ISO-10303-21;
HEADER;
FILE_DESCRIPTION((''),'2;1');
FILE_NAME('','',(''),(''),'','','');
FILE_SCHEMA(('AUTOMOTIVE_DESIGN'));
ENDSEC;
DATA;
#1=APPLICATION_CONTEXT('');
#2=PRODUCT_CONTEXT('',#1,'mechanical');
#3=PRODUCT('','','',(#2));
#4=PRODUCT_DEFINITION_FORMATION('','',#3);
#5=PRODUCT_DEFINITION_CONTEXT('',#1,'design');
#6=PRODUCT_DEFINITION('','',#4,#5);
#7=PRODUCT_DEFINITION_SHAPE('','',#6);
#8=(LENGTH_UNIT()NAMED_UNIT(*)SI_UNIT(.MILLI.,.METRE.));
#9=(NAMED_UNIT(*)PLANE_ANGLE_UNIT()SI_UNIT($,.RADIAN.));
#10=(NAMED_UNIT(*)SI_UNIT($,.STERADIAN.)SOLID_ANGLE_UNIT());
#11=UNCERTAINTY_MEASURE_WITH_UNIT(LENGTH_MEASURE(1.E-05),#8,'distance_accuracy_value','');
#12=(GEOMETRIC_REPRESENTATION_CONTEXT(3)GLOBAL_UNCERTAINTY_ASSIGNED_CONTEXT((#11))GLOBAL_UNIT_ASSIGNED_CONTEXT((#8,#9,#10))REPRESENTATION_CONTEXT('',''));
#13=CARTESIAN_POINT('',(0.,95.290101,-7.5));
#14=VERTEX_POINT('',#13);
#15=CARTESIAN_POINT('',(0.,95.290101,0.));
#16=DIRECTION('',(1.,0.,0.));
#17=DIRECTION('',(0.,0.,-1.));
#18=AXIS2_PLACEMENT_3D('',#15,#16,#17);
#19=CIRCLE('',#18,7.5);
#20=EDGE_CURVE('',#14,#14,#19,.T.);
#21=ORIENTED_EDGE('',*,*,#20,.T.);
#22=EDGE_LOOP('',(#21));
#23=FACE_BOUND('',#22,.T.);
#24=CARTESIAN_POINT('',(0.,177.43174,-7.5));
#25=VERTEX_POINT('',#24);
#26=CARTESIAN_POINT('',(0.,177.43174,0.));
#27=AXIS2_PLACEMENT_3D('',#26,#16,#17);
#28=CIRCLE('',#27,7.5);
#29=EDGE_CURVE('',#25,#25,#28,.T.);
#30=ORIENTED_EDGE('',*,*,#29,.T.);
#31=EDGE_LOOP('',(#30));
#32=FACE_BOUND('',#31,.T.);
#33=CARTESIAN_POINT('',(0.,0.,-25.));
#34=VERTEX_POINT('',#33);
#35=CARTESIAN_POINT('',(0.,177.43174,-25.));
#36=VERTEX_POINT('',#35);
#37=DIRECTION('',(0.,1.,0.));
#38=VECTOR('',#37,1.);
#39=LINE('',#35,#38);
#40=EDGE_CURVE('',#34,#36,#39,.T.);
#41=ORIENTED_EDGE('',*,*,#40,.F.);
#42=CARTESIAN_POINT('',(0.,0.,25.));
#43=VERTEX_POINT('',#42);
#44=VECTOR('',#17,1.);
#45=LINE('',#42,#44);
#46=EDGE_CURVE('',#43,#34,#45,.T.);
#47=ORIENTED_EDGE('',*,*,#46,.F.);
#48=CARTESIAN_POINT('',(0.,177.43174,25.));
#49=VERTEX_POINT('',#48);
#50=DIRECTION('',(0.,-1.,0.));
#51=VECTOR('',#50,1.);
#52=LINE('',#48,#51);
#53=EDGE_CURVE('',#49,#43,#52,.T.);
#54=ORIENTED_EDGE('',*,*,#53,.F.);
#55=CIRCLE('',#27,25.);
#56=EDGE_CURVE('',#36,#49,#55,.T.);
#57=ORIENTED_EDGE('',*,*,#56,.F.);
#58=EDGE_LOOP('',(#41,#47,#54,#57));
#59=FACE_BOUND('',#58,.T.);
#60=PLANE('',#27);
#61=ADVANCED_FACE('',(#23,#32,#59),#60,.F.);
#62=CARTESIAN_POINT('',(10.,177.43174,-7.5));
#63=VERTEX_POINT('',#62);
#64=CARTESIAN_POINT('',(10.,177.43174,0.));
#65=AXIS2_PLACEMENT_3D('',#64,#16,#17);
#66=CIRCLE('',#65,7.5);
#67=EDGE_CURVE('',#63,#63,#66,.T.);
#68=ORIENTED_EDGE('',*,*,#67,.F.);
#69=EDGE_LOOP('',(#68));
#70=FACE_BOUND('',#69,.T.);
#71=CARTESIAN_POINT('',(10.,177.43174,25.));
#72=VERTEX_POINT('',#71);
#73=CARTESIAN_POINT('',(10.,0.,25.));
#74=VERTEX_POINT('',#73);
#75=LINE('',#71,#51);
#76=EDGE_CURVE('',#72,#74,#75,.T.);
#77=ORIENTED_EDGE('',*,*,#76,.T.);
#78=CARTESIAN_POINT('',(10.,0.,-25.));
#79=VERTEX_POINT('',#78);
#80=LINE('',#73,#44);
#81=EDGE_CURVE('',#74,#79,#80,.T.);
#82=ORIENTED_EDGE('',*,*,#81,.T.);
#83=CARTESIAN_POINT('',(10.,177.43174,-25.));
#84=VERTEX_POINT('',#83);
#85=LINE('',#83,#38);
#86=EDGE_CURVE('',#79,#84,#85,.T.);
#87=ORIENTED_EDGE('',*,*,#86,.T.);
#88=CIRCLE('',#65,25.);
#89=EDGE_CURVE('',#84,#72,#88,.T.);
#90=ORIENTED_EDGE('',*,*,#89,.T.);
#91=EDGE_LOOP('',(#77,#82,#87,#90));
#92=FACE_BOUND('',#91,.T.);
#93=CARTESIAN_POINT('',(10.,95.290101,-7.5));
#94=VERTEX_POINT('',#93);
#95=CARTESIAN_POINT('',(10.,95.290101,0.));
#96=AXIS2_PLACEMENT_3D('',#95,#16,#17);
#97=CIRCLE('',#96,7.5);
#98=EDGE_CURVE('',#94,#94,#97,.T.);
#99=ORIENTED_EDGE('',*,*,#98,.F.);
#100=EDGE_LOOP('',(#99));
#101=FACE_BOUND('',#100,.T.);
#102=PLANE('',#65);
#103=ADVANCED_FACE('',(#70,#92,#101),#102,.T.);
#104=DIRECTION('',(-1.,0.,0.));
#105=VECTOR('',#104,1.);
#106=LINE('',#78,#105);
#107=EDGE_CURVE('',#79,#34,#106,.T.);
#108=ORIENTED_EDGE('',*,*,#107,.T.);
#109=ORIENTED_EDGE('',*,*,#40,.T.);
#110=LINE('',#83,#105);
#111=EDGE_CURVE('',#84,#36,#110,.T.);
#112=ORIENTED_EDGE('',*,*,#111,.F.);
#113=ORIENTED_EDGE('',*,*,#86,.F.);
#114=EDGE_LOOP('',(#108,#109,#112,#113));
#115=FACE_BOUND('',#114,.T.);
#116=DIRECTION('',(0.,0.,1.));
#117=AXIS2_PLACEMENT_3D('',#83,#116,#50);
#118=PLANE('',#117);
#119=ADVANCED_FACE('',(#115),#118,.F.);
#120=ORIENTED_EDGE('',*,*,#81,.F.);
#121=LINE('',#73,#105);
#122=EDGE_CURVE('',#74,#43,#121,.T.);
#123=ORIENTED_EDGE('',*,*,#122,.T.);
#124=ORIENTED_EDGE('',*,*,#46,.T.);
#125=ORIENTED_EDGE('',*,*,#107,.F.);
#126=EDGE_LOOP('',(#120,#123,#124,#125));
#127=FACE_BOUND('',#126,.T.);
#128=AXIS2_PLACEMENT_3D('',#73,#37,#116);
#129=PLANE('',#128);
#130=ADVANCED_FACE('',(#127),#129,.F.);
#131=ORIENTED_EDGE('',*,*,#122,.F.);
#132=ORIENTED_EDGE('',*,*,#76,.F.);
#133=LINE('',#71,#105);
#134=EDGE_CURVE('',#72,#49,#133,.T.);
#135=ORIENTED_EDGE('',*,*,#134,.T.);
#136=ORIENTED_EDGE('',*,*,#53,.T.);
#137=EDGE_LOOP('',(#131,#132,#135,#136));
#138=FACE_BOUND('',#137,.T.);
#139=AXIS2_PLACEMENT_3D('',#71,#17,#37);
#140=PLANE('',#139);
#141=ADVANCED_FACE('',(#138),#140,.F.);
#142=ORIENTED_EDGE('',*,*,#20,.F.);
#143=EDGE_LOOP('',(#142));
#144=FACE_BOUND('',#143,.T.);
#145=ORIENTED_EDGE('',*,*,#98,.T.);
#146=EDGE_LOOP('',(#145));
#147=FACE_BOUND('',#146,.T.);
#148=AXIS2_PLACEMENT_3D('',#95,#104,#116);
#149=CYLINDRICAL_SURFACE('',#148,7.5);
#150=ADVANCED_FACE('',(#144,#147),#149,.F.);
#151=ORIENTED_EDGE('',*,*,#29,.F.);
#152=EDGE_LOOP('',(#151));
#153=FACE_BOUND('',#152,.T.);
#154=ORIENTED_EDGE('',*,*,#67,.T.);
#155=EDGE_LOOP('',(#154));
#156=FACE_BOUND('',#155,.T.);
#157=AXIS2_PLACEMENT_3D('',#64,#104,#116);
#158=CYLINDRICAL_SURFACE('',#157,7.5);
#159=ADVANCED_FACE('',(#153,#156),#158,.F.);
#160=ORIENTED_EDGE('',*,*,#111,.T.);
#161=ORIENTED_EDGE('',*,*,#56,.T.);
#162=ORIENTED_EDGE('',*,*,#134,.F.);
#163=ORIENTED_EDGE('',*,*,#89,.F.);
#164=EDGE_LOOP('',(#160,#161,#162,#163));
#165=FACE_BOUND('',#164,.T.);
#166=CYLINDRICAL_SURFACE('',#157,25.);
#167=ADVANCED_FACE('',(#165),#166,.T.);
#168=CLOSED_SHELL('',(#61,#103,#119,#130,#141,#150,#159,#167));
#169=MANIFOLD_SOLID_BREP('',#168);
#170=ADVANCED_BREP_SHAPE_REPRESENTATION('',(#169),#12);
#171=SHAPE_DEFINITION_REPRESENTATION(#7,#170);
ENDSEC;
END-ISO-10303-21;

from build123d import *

# Parameters (mm, degrees)
SKETCH1_R           = 7.5
BOSS_EXTRUDE1_DEPTH = 10


with BuildPart() as part:
    # Sketch1 → Boss-Extrude1 (new body)
    with BuildSketch(Plane(origin=(0, 0, 0), x_dir=(0, 0, -1), z_dir=(1, 0, 0))):
        with BuildLine():
            Line((-25, 0), (25, 0))
            Line((25, 0), (25, 177.43174))
            ThreePointArc((25, 177.43174), (0, 202.43174), (-25, 177.43174))
            Line((-25, 177.43174), (-25, 0))
        make_face()
        with Locations((0, 95.2901012)):
            Circle(SKETCH1_R, mode=Mode.SUBTRACT)
        with Locations((0, 177.43174)):
            Circle(SKETCH1_R, mode=Mode.SUBTRACT)
    extrude(amount=BOSS_EXTRUDE1_DEPTH)


solid = part.part
